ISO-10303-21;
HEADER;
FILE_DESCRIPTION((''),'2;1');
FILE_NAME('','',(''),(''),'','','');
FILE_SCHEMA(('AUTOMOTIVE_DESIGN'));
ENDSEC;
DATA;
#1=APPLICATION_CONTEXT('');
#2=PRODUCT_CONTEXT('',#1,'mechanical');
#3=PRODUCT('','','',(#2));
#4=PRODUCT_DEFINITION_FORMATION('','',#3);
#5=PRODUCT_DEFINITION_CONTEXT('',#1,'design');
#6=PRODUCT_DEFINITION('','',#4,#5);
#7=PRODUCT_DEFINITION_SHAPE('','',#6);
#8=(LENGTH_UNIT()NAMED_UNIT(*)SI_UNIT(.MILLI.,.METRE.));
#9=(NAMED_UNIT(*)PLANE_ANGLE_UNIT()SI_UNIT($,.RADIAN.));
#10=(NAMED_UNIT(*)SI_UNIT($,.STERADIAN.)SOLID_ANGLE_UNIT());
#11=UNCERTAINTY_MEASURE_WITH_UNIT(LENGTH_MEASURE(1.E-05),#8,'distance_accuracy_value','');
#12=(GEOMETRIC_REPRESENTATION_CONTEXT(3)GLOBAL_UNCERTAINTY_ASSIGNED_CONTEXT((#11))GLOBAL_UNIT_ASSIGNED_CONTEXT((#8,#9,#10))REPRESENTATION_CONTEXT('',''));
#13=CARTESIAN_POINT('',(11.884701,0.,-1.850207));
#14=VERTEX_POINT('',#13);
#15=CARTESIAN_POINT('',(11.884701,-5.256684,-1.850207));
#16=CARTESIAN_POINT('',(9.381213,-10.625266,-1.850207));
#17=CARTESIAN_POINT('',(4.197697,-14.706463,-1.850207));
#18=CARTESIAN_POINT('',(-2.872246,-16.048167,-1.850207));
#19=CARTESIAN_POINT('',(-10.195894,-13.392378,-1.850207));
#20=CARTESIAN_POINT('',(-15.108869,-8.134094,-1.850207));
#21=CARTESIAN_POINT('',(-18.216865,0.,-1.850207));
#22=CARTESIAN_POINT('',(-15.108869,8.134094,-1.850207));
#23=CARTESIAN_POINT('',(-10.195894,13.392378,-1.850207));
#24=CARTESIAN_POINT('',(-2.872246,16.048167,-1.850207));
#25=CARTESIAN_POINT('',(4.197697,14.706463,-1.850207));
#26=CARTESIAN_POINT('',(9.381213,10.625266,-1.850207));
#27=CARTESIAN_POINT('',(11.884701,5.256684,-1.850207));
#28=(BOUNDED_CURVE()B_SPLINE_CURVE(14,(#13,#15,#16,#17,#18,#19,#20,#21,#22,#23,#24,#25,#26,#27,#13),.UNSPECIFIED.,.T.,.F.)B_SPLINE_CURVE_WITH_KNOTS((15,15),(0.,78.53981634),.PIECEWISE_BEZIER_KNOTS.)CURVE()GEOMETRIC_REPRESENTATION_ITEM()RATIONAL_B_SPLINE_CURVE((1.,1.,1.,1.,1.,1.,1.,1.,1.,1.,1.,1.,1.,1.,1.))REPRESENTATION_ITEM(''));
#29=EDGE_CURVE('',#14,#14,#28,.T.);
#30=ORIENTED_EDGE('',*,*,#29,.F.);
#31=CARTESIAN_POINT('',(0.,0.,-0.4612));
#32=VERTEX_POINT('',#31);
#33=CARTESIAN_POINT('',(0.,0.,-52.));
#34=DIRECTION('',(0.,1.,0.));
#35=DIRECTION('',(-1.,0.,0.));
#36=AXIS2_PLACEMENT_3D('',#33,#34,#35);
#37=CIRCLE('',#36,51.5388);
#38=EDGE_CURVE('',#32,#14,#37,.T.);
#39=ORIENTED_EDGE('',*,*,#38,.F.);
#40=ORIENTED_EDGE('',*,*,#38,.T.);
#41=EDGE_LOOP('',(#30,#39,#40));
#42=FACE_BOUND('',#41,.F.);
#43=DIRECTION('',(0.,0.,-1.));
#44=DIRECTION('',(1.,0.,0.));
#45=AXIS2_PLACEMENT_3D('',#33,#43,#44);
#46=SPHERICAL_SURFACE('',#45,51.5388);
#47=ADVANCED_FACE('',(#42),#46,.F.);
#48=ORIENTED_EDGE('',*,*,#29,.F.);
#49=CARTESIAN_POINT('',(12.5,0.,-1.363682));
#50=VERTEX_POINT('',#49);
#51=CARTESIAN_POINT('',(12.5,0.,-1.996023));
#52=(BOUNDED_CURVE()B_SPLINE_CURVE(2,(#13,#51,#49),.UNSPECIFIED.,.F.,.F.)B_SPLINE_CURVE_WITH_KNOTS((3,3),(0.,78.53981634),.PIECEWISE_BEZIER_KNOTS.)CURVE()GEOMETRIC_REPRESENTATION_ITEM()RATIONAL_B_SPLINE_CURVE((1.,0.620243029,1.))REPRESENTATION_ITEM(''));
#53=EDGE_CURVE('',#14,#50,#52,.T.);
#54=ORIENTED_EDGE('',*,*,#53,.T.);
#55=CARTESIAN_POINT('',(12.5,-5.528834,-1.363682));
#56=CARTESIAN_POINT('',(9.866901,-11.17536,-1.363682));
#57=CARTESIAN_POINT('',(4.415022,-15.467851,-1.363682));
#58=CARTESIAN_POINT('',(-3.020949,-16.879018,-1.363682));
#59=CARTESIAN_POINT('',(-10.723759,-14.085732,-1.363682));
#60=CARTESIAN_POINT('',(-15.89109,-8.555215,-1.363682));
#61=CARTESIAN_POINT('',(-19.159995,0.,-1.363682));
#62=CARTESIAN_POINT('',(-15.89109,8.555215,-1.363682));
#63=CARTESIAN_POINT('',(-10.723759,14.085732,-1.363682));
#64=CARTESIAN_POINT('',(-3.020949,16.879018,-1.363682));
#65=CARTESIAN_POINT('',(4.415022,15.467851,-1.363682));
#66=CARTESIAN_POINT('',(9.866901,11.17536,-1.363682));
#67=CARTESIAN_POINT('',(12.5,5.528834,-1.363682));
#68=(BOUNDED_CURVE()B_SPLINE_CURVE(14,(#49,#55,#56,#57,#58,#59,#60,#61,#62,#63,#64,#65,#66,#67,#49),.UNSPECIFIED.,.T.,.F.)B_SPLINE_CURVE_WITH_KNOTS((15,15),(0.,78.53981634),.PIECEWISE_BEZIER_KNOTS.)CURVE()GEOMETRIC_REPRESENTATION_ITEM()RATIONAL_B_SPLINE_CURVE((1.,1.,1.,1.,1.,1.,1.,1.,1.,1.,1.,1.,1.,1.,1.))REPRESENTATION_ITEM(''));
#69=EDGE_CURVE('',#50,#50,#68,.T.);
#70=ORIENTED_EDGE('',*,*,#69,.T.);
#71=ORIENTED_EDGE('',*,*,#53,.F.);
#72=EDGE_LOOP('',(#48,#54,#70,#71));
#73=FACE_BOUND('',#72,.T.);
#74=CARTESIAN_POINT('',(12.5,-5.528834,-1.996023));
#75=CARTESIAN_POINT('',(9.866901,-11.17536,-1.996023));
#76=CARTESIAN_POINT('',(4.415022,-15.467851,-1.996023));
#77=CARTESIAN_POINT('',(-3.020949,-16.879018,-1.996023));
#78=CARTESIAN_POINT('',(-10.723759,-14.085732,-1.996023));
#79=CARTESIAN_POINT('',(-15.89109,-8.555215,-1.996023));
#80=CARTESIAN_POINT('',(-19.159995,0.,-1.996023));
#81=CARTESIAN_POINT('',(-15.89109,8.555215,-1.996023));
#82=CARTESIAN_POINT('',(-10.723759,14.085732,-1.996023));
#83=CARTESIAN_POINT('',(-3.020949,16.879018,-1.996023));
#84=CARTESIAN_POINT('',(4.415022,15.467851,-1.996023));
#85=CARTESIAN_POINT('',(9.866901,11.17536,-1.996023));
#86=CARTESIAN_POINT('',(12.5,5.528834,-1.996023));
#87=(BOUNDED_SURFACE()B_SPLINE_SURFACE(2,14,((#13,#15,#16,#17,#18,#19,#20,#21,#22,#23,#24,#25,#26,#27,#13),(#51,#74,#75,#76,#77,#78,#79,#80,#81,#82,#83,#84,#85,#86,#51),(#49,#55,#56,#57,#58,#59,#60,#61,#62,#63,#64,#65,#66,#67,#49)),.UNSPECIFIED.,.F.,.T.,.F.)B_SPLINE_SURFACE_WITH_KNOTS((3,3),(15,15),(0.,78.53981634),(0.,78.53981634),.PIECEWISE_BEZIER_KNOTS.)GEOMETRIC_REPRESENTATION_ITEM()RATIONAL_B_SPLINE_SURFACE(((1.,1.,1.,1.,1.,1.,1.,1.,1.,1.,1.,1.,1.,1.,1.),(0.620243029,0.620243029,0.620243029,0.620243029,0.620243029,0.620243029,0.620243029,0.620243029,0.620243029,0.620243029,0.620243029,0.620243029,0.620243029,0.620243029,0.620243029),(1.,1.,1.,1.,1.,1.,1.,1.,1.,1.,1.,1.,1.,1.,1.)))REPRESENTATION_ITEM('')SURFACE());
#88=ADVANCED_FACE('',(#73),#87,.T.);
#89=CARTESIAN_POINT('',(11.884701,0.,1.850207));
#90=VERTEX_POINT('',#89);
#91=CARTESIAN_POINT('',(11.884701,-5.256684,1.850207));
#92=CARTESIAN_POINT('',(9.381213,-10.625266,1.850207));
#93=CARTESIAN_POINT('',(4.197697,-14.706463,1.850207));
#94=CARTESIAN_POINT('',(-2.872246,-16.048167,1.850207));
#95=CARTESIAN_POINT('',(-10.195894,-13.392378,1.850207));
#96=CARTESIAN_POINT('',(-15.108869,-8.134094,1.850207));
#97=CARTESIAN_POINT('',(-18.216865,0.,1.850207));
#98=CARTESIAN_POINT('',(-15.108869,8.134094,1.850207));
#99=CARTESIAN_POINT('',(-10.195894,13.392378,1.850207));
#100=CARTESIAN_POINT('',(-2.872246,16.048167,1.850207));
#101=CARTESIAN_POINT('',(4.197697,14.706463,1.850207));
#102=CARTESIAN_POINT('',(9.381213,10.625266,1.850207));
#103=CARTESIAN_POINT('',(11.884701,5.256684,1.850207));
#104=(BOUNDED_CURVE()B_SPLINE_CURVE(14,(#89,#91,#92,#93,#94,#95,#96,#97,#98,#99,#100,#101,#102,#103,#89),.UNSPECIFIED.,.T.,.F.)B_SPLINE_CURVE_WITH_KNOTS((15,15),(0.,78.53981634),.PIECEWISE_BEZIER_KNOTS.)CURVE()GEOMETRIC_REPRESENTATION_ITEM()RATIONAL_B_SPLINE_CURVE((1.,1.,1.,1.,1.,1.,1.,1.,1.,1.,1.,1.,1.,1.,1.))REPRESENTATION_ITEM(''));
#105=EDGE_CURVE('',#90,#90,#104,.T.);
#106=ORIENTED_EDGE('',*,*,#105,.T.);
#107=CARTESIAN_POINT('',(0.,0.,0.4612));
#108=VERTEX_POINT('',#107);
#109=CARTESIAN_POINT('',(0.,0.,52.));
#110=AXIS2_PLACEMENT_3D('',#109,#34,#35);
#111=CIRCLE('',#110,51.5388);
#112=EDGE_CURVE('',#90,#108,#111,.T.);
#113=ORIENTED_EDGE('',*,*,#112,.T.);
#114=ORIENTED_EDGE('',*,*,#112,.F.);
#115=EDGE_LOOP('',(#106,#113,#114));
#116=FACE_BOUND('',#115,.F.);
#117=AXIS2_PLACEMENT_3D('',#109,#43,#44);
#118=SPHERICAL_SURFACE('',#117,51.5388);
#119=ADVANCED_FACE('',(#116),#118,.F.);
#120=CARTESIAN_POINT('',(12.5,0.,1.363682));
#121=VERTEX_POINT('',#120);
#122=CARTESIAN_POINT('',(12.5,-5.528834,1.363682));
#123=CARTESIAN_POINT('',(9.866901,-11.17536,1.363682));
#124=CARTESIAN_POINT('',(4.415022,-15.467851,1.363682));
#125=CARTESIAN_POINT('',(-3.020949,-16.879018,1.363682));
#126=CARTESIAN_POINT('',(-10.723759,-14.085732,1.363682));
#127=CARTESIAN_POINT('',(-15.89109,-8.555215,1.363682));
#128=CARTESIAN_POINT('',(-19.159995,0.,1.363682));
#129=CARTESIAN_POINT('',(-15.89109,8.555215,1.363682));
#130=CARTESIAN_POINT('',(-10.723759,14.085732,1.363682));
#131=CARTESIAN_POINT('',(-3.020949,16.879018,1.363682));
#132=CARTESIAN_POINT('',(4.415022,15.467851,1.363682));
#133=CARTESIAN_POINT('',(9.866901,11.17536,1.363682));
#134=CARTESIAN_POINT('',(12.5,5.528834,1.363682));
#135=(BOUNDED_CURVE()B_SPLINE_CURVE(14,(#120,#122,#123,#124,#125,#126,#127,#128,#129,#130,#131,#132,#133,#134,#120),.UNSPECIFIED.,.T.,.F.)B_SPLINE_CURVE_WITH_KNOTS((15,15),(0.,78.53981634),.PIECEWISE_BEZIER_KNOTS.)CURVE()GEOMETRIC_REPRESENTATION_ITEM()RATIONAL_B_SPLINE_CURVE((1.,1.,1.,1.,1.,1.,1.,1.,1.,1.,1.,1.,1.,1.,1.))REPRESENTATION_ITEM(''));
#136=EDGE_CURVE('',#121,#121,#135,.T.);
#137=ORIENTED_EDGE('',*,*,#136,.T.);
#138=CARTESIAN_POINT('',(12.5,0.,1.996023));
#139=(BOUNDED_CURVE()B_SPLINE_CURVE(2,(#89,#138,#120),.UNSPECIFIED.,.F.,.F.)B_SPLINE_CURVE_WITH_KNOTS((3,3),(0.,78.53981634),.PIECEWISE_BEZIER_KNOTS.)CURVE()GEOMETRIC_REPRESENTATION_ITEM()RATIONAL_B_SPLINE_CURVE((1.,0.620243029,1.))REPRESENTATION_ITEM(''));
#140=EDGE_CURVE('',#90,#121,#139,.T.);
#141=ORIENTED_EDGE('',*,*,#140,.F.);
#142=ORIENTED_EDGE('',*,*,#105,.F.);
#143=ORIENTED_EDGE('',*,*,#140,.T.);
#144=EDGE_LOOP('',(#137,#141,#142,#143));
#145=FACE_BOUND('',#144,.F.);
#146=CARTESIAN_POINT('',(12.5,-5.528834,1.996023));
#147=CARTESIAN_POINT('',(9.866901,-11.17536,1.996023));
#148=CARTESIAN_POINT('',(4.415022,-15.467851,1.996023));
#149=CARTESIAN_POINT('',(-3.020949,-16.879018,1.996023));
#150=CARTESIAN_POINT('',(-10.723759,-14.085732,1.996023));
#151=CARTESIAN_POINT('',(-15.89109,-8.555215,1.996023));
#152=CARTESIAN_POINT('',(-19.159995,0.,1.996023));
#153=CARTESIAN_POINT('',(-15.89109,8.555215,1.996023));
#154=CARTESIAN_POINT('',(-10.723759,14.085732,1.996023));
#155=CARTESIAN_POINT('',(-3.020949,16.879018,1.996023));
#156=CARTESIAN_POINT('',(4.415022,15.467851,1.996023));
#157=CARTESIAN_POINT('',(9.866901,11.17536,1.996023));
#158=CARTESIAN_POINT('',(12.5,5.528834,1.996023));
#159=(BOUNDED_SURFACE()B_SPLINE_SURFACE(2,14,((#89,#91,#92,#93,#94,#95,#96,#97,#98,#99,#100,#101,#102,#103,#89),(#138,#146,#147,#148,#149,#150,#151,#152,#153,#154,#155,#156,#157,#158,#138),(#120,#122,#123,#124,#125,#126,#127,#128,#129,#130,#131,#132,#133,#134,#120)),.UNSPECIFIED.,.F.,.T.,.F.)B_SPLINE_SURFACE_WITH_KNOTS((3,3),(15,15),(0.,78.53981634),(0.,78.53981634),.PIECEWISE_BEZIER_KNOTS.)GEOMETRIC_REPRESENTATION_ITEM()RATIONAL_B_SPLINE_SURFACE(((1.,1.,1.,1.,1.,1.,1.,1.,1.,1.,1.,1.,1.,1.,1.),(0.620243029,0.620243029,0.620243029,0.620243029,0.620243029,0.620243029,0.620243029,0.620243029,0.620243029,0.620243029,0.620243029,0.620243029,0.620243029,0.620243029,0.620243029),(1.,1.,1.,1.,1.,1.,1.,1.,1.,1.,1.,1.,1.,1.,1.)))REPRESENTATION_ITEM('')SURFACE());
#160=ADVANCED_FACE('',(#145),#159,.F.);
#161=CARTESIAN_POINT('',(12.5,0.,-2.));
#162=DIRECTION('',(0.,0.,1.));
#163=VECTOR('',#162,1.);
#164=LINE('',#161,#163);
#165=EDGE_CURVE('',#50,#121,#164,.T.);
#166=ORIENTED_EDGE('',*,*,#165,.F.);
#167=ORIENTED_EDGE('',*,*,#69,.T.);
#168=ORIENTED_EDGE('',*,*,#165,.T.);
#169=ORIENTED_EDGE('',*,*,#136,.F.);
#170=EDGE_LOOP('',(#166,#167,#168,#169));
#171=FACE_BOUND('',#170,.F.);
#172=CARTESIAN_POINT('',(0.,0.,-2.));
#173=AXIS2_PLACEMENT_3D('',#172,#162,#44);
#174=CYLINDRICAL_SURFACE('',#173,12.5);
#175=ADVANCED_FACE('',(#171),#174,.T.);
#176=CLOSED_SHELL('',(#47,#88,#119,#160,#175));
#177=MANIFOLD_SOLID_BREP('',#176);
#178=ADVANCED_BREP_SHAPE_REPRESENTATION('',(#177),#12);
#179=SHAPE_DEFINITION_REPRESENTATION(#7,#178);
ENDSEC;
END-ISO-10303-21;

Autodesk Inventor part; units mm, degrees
ref_plane "YZ Plane" through (0, 0, 0) normal (1, 0, 0) x (0, 1, 0)
ref_plane "XZ Plane" through (0, 0, 0) normal (0, 1, 0) x (-1, 0, 0)
ref_plane "XY Plane" through (0, 0, 0) normal (0, 0, 1) x (1, 0, 0)
sketch "Sketch1" plane through (0, 0, 0) normal (0, 1, 0) x (-1, 0, 0)
  line L0 (12.5, 2) -> (12.5, -2)
  line L1 (12.5, -2) -> (-12.5, -2)
  line L2 (-12.5, -2) -> (-12.5, 2)
  line L3 (-12.5, 2) -> (12.5, 2)
  circle A0 centre (0, -52) radius 51.5388
  circle A1 centre (0, 52) radius 51.5388
  line L4 (0, 0.4612) -> (0, -0.4612)
  point P0 (0, 0)
  point P1 (12.5, 0)
  point P2 (0, -2)
  point P3 (0, 2)
  dimension "d5" = 25
  dimension "d6" = 4
  dimension "d7" = 50
  dimension "d8" = 50
revolve "Revolution1" add sketch "Sketch1" angle 360 about axis through (0, 0, 0.4612) along (0, 0, -1) contours A1 L4 A0 L2
fillet "Fillet1" radius 0.5 2 edges at (-12.5, 0, 2) (-12.5, 0, -2)
properties part number "Bi Concave Lens"
